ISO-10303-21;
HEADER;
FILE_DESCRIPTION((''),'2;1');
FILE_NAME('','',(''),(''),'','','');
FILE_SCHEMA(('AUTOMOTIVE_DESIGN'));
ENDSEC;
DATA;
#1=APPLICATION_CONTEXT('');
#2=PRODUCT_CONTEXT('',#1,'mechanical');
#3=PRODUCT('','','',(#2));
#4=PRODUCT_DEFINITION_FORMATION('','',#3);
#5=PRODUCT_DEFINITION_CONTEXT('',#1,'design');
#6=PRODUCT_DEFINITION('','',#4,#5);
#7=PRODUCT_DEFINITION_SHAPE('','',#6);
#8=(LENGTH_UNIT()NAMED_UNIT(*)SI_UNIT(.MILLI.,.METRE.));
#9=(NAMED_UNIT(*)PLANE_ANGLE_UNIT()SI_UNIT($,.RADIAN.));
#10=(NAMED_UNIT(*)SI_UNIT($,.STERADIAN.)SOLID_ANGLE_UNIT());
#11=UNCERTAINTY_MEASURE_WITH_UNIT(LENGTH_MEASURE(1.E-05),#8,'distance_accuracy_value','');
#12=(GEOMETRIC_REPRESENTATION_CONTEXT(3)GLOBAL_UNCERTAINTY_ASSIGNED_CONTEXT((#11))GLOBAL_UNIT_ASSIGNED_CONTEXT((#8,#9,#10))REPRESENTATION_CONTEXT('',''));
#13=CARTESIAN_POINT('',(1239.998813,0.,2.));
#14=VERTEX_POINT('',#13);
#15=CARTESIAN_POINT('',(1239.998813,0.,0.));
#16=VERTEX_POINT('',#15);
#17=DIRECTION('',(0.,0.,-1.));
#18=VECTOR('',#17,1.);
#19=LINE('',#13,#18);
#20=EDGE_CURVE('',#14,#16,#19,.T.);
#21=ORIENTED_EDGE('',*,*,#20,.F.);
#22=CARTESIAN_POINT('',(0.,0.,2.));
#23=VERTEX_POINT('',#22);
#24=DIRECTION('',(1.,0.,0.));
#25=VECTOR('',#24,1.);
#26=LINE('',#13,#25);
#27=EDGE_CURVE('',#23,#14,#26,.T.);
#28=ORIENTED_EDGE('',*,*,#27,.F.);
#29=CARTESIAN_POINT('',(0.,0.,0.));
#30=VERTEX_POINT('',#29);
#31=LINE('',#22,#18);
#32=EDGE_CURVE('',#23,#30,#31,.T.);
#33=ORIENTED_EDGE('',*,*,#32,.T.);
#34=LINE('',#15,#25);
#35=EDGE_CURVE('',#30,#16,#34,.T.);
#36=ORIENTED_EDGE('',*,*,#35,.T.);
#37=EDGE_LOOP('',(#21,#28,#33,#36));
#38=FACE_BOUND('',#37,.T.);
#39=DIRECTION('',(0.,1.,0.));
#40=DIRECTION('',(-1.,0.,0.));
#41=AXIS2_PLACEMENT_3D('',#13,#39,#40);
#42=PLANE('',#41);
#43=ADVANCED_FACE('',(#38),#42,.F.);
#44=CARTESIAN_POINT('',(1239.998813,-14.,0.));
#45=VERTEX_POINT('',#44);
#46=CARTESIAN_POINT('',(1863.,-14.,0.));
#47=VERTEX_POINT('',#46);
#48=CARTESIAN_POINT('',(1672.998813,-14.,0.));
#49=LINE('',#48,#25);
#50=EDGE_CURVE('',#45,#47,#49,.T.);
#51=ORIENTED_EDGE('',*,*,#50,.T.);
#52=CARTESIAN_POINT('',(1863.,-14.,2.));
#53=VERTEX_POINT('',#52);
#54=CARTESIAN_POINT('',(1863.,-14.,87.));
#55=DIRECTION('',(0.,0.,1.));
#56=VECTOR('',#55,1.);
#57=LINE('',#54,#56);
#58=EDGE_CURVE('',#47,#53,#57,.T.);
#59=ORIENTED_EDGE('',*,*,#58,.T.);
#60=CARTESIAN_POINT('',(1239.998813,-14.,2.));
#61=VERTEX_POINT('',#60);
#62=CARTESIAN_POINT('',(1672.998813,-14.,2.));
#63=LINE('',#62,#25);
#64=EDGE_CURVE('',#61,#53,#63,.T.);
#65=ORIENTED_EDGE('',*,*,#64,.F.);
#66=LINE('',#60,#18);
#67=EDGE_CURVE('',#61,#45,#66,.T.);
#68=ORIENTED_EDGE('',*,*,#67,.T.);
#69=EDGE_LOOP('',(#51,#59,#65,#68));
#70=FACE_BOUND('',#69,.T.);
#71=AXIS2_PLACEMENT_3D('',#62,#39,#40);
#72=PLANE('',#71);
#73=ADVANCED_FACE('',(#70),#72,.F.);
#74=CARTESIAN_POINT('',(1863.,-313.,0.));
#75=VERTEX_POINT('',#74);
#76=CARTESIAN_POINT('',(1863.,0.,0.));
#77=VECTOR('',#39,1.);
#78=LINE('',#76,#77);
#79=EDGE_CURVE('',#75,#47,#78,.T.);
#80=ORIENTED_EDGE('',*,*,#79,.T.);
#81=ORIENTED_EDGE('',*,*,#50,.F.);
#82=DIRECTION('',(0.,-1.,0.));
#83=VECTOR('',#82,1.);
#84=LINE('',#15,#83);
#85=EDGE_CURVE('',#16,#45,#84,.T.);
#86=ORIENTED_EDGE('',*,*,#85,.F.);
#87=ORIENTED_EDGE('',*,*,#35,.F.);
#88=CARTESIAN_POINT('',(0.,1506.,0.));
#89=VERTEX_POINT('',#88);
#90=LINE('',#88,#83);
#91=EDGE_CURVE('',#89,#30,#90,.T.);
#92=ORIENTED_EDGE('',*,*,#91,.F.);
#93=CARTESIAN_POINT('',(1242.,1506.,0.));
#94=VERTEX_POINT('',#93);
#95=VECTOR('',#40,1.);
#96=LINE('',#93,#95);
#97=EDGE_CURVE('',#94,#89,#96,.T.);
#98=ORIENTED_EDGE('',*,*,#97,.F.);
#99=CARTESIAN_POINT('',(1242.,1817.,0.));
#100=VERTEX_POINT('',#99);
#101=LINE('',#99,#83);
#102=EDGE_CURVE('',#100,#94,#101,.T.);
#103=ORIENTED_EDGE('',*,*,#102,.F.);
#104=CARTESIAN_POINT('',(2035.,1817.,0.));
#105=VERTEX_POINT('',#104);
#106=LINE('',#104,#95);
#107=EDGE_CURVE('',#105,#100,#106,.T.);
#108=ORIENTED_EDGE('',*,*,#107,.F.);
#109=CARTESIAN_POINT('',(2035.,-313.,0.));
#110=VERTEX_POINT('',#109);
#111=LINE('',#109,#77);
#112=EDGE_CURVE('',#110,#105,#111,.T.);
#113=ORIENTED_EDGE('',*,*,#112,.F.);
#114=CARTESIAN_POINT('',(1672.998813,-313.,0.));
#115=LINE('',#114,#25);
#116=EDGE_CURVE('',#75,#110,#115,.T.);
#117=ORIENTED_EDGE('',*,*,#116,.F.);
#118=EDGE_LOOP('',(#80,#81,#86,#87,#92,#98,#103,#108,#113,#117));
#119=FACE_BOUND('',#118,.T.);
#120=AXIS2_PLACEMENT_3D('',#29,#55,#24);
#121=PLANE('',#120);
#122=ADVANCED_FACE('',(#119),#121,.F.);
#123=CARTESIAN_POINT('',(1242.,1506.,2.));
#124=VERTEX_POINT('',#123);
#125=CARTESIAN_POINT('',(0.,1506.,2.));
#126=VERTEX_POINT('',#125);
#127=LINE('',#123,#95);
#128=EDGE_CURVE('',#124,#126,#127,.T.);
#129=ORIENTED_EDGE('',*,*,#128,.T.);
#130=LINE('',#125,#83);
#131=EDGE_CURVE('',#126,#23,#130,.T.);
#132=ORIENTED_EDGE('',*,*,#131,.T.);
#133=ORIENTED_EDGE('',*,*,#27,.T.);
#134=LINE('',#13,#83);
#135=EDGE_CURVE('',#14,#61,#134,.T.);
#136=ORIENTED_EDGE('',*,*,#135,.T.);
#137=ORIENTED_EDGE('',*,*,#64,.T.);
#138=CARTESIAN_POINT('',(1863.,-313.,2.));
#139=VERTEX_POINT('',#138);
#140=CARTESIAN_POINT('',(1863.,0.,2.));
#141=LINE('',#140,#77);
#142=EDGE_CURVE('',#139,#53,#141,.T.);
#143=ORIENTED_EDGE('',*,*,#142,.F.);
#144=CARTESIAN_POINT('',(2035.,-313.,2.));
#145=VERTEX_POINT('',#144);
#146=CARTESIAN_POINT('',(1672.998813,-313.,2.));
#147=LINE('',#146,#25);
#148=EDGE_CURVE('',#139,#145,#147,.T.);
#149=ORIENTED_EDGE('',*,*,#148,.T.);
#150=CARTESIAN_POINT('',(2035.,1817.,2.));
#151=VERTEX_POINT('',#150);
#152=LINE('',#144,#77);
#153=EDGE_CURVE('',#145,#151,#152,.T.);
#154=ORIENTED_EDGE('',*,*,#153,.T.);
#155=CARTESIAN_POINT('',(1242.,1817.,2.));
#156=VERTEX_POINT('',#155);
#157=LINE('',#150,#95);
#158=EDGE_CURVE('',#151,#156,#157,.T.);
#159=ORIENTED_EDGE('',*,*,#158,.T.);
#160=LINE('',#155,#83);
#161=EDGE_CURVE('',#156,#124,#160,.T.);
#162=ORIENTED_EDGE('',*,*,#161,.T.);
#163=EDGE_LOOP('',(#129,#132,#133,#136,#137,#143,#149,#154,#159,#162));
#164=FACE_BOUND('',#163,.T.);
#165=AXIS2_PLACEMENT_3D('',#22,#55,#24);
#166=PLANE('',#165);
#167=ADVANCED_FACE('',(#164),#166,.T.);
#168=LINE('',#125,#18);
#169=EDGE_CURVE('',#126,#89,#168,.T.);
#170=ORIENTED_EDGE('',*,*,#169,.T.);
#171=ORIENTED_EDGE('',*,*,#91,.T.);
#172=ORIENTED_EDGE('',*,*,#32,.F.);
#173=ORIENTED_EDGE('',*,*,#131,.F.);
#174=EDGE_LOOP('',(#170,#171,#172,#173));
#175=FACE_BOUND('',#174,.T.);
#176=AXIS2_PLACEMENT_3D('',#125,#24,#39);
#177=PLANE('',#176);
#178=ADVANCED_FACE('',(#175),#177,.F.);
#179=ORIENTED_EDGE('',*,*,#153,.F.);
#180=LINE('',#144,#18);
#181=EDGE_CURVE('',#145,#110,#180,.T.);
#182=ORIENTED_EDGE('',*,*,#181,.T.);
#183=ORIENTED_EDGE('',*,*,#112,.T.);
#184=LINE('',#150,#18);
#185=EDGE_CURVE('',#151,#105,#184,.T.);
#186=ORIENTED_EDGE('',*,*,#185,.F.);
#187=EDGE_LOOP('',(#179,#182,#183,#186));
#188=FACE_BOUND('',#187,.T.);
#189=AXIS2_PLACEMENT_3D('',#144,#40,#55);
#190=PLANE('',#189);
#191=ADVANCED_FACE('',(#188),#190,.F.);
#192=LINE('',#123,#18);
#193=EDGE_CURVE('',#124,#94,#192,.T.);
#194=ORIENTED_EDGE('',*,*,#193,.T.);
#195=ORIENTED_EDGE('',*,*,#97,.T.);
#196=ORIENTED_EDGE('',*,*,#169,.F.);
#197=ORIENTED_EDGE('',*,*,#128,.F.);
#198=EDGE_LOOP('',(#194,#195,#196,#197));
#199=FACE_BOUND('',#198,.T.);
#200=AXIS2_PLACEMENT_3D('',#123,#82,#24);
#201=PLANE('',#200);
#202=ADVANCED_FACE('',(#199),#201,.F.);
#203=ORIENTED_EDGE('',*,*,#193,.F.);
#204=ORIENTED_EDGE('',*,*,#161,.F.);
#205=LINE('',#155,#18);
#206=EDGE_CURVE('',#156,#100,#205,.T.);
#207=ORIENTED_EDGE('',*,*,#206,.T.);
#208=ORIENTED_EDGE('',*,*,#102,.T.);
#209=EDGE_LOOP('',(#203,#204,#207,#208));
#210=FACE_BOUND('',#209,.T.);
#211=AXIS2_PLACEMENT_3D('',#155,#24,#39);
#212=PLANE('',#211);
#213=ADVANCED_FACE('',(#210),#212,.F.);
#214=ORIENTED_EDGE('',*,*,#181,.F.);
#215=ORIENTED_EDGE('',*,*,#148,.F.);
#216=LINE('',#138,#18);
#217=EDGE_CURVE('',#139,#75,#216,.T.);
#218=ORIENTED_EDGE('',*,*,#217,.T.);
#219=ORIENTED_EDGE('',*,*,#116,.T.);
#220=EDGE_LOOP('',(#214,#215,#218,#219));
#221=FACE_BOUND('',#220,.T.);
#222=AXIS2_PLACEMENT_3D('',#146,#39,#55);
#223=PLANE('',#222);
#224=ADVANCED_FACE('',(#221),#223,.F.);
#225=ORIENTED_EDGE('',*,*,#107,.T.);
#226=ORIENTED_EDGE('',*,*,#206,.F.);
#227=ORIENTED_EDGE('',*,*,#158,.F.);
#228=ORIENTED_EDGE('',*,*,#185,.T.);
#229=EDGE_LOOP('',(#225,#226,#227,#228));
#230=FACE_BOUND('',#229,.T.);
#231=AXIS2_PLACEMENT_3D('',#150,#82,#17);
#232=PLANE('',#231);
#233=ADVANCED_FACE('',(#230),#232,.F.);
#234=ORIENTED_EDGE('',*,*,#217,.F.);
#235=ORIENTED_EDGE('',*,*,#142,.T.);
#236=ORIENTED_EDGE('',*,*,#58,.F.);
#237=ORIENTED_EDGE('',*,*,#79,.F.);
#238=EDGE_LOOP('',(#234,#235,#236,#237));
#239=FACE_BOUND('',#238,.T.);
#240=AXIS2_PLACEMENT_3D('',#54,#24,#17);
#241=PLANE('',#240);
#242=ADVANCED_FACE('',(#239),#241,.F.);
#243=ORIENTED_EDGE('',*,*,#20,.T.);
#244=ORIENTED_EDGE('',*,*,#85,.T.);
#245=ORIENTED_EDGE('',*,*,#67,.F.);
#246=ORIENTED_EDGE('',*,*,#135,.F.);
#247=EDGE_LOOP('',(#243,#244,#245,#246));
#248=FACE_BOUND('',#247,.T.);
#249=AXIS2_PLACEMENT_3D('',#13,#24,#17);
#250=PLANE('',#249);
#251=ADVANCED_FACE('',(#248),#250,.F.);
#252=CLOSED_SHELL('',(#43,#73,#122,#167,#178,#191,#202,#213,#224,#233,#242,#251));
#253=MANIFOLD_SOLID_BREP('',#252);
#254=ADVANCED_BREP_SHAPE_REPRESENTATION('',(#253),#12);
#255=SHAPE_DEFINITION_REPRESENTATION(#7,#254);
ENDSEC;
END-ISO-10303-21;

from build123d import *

# Parameters (mm, degrees)
BOSS_EXTRUDE1_DEPTH = 2
CUT_EXTRUDE2_DEPTH  = 330


with BuildPart() as part:
    # Sketch1 → Boss-Extrude1 (new body)
    with BuildSketch(Plane.XY):
        Polygon((1242, 1506), (0, 1506), (0, 0), (1239.998813056, 0), (1239.998813056, -14), (1672.998813056, -14), (1672.998813056, -313), (2035, -313), (2035, 1817), (1242, 1817), align=None)
    extrude(amount=BOSS_EXTRUDE1_DEPTH)

    # Sketch3 → Cut-Extrude2 (cut)
    with BuildSketch(Plane(origin=(-124.112118138, -344, 1006.457487155), x_dir=(-1, 0, 0), z_dir=(0, -1, 0))):
        with BuildLine():
            Line((-1887.112118138, 819.457487155), (-1466.112118138, 819.457487155))
            ThreePointArc((-1466.112118138, 819.457487155), (-1395.40144002, 848.746809036), (-1366.112118138, 919.457487155))
            Line((-1366.112118138, 919.457487155), (-1366.112118138, 2569.457487155))
            ThreePointArc((-1366.112118138, 2569.457487155), (-1395.40144002, 2640.168165273), (-1466.112118138, 2669.457487155))
            Line((-1466.112118138, 2669.457487155), (-1887.112118138, 2669.457487155))
            ThreePointArc((-1887.112118138, 2669.457487155), (-1957.822796257, 2640.168165273), (-1987.112118138, 2569.457487155))
            Line((-1987.112118138, 2569.457487155), (-1987.112118138, 919.457487155))
            ThreePointArc((-1987.112118138, 919.457487155), (-1957.822796257, 848.746809036), (-1887.112118138, 819.457487155))
        make_face()
    extrude(amount=-CUT_EXTRUDE2_DEPTH, mode=Mode.SUBTRACT)


solid = part.part
